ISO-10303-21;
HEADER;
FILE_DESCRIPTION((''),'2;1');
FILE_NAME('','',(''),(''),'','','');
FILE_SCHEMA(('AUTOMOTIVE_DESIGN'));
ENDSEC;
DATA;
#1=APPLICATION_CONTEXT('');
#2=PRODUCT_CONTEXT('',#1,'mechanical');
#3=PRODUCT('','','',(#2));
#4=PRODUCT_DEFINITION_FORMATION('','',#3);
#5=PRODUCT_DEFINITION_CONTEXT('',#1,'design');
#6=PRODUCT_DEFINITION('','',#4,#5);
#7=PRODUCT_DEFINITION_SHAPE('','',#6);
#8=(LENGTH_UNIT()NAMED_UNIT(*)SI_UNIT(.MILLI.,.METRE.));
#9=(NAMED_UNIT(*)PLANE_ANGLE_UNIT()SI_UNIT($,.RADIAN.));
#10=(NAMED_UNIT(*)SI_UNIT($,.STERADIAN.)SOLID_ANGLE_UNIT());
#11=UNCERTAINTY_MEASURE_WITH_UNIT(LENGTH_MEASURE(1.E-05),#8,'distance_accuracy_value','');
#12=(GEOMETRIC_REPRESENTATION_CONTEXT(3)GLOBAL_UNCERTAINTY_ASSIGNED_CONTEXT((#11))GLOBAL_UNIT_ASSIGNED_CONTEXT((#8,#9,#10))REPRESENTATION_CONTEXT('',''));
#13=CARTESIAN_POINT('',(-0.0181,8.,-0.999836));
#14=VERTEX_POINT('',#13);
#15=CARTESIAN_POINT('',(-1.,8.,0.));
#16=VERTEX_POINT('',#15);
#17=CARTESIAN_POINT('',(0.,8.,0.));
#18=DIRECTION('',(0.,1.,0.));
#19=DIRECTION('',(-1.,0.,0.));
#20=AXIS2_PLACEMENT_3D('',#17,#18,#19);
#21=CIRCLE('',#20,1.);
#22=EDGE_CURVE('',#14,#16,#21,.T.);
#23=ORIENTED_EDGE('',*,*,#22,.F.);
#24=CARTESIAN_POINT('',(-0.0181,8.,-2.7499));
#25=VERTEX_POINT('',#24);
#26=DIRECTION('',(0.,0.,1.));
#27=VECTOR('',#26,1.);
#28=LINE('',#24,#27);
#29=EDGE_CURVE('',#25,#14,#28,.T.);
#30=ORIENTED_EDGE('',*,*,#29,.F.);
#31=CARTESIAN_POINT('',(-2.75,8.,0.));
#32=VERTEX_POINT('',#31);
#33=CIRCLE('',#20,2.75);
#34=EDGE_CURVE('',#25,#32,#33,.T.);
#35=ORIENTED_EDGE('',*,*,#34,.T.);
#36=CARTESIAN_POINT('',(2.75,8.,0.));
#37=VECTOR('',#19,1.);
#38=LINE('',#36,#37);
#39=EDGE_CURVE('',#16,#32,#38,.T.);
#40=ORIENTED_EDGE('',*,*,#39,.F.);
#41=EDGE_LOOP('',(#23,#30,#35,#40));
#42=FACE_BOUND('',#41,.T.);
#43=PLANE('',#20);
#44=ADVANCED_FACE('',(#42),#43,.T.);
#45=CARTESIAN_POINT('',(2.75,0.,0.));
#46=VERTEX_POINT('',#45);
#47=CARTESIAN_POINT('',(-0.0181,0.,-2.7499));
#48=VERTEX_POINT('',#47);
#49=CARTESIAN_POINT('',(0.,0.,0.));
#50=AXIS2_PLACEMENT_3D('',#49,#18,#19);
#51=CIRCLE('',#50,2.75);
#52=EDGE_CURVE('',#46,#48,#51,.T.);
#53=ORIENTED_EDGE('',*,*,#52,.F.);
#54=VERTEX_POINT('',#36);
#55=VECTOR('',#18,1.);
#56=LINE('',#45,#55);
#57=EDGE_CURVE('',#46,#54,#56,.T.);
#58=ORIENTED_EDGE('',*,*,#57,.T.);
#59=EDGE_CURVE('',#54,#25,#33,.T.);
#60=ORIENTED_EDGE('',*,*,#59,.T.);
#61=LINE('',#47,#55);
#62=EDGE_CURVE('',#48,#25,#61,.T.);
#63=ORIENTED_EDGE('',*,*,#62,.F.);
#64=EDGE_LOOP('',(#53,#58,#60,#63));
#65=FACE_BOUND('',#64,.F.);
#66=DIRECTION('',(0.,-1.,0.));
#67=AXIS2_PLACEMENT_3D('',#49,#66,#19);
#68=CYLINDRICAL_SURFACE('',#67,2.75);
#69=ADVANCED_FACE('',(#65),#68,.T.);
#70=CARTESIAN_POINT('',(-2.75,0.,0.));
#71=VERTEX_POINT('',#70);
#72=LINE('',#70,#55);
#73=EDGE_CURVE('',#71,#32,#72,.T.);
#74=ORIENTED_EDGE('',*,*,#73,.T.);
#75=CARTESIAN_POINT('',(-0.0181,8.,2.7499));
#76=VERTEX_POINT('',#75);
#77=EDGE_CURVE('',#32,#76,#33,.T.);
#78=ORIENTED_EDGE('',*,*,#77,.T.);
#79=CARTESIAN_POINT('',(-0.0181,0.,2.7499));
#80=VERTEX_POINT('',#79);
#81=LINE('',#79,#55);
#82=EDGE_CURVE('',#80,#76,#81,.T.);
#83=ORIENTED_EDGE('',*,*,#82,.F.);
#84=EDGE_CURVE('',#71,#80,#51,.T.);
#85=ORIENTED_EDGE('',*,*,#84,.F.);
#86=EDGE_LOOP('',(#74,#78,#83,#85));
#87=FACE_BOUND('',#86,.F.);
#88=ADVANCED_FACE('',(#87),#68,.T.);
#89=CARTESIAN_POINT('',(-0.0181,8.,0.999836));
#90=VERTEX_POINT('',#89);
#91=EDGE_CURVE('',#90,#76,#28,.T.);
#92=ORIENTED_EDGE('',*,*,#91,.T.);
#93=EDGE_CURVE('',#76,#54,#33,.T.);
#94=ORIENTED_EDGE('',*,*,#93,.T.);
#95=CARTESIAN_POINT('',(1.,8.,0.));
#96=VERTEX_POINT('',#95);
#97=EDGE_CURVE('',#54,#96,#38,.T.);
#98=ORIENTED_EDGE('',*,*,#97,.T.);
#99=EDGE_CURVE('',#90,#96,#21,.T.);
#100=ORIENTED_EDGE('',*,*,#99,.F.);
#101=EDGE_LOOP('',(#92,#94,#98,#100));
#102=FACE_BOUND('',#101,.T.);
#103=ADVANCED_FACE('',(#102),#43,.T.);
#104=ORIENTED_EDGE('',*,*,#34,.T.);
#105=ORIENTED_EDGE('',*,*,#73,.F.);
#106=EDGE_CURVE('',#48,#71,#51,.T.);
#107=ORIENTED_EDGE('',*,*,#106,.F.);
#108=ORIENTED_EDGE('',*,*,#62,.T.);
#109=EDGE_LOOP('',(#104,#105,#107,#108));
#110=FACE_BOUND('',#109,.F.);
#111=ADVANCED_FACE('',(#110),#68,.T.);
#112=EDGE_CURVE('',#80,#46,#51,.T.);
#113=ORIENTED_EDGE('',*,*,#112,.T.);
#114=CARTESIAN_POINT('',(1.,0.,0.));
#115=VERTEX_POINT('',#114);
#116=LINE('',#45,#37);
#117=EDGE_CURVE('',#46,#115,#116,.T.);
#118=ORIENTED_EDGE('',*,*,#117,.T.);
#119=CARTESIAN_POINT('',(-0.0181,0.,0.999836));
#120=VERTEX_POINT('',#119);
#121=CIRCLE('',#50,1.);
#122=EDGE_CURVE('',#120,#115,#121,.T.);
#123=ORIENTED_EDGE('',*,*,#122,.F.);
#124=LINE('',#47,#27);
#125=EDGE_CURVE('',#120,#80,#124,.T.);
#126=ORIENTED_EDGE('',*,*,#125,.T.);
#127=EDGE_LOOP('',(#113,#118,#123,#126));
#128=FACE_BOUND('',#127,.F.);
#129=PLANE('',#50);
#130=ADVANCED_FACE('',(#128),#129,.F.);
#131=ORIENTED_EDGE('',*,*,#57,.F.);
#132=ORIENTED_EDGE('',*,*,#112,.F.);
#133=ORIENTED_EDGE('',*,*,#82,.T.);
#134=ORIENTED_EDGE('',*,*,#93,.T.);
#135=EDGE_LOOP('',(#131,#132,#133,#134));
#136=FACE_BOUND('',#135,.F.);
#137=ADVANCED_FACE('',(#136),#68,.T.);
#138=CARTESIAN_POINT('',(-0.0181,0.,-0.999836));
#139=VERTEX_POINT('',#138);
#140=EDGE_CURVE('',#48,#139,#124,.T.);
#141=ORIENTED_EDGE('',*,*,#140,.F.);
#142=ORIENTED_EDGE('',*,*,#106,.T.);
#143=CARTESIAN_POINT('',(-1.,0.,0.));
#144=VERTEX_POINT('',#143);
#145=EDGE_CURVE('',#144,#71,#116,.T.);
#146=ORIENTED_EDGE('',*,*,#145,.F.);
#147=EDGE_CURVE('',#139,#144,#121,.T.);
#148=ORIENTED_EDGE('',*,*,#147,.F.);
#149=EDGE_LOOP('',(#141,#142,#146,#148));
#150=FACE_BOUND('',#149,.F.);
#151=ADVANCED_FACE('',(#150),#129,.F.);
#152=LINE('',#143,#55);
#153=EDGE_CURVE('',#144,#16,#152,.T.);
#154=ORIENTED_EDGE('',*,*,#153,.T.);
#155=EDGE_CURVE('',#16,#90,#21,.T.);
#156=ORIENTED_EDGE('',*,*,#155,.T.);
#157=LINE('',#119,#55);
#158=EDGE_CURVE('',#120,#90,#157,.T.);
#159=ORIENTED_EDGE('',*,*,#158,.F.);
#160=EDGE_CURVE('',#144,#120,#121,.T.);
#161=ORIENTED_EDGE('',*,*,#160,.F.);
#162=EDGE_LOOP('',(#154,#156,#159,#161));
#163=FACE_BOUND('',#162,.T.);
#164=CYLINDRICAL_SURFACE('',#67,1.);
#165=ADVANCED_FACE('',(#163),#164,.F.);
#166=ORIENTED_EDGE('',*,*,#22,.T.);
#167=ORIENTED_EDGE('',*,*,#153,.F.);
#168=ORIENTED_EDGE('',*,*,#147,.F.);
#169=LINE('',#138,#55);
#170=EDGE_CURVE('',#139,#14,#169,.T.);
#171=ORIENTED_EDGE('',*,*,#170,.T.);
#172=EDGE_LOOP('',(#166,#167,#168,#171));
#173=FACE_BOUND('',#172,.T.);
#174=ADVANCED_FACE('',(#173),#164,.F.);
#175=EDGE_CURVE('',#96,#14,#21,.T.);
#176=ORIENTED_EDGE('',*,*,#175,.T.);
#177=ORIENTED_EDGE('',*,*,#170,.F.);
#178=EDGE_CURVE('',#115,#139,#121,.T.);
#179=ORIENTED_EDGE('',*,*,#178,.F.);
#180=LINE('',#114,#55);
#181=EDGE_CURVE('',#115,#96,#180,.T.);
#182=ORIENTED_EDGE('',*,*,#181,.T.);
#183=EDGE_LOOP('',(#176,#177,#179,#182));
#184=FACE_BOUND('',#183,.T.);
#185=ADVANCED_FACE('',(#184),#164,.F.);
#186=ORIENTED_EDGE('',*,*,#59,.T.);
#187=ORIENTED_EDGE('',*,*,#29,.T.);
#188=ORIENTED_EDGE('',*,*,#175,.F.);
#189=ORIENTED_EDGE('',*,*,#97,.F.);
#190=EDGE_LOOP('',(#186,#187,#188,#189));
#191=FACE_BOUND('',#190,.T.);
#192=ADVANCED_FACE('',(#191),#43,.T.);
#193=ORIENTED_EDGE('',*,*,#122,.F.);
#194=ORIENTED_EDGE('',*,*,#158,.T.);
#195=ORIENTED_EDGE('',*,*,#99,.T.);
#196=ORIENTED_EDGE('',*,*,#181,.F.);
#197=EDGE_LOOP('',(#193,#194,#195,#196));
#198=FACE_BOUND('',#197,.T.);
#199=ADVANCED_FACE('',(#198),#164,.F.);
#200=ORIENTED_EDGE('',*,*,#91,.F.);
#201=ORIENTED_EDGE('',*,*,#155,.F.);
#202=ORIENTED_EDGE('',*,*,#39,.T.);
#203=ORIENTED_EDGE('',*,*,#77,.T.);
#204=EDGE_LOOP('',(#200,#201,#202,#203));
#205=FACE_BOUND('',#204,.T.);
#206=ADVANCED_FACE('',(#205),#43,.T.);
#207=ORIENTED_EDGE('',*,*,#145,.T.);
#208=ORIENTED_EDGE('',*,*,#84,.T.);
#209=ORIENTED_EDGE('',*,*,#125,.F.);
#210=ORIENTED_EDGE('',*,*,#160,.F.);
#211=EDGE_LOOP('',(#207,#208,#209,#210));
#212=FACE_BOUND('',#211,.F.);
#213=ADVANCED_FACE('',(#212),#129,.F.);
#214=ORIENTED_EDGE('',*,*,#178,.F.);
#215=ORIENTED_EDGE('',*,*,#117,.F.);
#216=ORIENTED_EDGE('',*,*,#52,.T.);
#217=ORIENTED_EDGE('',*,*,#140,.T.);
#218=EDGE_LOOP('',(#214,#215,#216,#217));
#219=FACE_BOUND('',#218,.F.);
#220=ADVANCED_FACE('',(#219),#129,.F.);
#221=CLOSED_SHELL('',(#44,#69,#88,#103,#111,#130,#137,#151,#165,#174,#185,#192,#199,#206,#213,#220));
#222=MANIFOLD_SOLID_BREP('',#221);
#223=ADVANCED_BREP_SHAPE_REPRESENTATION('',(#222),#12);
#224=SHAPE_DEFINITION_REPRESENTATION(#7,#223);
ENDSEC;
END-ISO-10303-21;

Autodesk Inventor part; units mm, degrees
ref_plane "YZ Plane" through (0, 0, 0) normal (1, 0, 0) x (0, 1, 0)
ref_plane "XZ Plane" through (0, 0, 0) normal (0, 1, 0) x (-1, 0, 0)
ref_plane "XY Plane" through (0, 0, 0) normal (0, 0, 1) x (1, 0, 0)
sketch "Sketch1" plane through (0, 0, 0) normal (0, 1, 0) x (-1, 0, 0)
  circle A0 centre (0, 0) radius 2.75
  circle A1 centre (0, 0) radius 1
  line L0 (-2.75, 0) -> (2.75, 0)
  line L1 (0.0181, -2.7499) -> (0.0181, 2.7499)
  dimension "d0" = 5.5
  dimension "d1" = 2
extrude "Extrusion1" add sketch "Sketch1" along normal blind 8 contours L0 A1 L1 A0 | A0 L1 A1 L0 | L1 A1 L0 A0 | A0 L0 A1 L1
properties part number "stem"
